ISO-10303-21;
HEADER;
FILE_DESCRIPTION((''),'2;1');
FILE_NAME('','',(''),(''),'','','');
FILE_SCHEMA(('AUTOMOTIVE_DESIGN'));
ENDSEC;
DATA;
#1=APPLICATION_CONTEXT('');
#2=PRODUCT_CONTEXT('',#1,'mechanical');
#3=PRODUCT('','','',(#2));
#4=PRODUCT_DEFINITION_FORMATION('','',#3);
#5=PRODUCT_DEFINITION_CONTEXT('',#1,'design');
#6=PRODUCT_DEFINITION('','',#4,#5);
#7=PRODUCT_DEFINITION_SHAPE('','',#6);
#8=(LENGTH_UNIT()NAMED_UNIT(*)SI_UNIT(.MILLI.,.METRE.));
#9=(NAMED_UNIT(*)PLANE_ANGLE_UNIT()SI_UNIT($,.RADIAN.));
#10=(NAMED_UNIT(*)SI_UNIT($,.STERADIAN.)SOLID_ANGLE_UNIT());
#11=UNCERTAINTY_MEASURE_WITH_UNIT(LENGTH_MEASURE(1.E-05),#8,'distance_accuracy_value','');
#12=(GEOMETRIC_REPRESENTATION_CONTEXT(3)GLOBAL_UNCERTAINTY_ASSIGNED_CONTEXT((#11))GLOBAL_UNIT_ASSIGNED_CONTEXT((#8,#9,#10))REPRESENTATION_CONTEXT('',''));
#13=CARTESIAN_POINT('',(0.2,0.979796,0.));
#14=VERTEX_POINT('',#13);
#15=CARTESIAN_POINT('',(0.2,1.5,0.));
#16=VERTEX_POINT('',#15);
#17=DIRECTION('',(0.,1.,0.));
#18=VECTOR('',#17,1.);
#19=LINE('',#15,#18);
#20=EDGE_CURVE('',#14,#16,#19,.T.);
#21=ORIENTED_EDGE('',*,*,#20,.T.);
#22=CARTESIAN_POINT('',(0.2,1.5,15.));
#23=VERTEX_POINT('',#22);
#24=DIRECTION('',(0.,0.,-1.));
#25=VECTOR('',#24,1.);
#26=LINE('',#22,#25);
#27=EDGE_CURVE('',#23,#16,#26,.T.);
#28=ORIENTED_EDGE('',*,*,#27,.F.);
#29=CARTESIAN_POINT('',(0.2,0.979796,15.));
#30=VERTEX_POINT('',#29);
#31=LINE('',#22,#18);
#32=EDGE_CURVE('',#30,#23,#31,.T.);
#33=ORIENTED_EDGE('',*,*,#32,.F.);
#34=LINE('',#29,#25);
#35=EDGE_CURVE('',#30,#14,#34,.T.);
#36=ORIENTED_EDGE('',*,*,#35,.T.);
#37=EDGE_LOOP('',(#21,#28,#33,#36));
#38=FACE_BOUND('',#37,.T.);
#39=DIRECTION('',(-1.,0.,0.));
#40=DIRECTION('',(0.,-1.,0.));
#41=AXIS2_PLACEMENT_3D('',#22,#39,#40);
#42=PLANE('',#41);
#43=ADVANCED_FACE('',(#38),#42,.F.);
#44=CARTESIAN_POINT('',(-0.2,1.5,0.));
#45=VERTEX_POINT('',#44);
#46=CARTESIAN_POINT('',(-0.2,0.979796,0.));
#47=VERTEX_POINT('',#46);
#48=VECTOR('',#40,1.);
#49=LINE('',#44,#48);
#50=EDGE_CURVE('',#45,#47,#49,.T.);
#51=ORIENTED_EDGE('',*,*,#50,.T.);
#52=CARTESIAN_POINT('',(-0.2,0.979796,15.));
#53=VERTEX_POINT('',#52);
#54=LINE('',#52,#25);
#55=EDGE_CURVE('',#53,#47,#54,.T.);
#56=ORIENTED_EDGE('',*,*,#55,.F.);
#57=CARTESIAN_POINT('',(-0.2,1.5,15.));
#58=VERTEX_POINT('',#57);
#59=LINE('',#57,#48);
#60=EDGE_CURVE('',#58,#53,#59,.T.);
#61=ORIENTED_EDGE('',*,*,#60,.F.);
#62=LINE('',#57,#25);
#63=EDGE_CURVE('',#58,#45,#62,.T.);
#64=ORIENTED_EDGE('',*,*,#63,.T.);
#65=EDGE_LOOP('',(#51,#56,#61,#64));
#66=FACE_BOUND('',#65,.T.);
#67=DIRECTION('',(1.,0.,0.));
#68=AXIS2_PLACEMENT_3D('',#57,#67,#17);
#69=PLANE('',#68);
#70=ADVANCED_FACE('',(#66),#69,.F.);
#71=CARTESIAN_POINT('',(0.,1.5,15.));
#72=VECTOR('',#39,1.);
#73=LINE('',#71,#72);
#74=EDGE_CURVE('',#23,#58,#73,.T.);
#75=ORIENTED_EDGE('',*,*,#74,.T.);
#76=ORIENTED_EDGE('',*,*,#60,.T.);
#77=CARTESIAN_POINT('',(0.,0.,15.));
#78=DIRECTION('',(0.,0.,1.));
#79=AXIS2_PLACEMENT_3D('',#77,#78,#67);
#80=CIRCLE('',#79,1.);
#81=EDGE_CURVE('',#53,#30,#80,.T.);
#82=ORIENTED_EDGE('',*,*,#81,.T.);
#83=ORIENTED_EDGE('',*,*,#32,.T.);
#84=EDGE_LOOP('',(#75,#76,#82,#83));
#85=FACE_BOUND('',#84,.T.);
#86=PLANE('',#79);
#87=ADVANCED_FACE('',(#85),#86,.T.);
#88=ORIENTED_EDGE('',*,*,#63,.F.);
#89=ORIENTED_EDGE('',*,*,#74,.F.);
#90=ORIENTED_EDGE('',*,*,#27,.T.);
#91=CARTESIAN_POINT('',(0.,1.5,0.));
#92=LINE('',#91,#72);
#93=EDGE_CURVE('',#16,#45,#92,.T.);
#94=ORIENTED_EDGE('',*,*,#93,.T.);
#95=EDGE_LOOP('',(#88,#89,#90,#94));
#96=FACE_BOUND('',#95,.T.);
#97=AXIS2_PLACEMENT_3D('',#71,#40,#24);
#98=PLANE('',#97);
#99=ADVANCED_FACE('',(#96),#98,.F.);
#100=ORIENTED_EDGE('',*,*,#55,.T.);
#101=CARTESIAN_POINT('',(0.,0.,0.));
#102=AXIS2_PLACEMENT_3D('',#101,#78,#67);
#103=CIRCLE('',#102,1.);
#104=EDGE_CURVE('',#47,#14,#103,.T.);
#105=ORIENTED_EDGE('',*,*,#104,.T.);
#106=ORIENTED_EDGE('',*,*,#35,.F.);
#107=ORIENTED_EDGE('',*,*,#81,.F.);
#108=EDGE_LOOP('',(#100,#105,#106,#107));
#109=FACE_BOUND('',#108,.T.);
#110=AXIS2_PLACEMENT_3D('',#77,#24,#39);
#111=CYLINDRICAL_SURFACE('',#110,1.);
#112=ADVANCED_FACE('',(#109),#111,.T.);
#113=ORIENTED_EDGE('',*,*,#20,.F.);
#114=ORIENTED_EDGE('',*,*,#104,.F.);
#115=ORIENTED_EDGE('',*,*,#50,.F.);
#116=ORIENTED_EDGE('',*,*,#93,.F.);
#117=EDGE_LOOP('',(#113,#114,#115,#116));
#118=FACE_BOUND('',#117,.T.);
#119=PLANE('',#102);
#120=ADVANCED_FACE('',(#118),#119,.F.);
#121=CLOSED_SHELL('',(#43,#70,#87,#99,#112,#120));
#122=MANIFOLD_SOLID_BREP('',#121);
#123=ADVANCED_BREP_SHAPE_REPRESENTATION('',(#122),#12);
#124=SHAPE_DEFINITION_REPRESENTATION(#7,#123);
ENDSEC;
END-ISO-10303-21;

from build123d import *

# Parameters (mm, degrees)
EXTRUDE_1_DEPTH = 15


with BuildPart() as part:
    # 草图1 → 凸台-拉伸1 (new body)
    with BuildSketch(Plane.XY):
        with BuildLine():
            Line((0, 1.5), (0.2, 1.5))
            Line((0.2, 1.5), (0.2, 0.979795897))
            ThreePointArc((0.2, 0.979795897), (0, -1), (-0.2, 0.979795897))
            Line((-0.2, 0.979795897), (-0.2, 1.5))
            Line((-0.2, 1.5), (0, 1.5))
        make_face()
    extrude(amount=EXTRUDE_1_DEPTH)


solid = part.part
